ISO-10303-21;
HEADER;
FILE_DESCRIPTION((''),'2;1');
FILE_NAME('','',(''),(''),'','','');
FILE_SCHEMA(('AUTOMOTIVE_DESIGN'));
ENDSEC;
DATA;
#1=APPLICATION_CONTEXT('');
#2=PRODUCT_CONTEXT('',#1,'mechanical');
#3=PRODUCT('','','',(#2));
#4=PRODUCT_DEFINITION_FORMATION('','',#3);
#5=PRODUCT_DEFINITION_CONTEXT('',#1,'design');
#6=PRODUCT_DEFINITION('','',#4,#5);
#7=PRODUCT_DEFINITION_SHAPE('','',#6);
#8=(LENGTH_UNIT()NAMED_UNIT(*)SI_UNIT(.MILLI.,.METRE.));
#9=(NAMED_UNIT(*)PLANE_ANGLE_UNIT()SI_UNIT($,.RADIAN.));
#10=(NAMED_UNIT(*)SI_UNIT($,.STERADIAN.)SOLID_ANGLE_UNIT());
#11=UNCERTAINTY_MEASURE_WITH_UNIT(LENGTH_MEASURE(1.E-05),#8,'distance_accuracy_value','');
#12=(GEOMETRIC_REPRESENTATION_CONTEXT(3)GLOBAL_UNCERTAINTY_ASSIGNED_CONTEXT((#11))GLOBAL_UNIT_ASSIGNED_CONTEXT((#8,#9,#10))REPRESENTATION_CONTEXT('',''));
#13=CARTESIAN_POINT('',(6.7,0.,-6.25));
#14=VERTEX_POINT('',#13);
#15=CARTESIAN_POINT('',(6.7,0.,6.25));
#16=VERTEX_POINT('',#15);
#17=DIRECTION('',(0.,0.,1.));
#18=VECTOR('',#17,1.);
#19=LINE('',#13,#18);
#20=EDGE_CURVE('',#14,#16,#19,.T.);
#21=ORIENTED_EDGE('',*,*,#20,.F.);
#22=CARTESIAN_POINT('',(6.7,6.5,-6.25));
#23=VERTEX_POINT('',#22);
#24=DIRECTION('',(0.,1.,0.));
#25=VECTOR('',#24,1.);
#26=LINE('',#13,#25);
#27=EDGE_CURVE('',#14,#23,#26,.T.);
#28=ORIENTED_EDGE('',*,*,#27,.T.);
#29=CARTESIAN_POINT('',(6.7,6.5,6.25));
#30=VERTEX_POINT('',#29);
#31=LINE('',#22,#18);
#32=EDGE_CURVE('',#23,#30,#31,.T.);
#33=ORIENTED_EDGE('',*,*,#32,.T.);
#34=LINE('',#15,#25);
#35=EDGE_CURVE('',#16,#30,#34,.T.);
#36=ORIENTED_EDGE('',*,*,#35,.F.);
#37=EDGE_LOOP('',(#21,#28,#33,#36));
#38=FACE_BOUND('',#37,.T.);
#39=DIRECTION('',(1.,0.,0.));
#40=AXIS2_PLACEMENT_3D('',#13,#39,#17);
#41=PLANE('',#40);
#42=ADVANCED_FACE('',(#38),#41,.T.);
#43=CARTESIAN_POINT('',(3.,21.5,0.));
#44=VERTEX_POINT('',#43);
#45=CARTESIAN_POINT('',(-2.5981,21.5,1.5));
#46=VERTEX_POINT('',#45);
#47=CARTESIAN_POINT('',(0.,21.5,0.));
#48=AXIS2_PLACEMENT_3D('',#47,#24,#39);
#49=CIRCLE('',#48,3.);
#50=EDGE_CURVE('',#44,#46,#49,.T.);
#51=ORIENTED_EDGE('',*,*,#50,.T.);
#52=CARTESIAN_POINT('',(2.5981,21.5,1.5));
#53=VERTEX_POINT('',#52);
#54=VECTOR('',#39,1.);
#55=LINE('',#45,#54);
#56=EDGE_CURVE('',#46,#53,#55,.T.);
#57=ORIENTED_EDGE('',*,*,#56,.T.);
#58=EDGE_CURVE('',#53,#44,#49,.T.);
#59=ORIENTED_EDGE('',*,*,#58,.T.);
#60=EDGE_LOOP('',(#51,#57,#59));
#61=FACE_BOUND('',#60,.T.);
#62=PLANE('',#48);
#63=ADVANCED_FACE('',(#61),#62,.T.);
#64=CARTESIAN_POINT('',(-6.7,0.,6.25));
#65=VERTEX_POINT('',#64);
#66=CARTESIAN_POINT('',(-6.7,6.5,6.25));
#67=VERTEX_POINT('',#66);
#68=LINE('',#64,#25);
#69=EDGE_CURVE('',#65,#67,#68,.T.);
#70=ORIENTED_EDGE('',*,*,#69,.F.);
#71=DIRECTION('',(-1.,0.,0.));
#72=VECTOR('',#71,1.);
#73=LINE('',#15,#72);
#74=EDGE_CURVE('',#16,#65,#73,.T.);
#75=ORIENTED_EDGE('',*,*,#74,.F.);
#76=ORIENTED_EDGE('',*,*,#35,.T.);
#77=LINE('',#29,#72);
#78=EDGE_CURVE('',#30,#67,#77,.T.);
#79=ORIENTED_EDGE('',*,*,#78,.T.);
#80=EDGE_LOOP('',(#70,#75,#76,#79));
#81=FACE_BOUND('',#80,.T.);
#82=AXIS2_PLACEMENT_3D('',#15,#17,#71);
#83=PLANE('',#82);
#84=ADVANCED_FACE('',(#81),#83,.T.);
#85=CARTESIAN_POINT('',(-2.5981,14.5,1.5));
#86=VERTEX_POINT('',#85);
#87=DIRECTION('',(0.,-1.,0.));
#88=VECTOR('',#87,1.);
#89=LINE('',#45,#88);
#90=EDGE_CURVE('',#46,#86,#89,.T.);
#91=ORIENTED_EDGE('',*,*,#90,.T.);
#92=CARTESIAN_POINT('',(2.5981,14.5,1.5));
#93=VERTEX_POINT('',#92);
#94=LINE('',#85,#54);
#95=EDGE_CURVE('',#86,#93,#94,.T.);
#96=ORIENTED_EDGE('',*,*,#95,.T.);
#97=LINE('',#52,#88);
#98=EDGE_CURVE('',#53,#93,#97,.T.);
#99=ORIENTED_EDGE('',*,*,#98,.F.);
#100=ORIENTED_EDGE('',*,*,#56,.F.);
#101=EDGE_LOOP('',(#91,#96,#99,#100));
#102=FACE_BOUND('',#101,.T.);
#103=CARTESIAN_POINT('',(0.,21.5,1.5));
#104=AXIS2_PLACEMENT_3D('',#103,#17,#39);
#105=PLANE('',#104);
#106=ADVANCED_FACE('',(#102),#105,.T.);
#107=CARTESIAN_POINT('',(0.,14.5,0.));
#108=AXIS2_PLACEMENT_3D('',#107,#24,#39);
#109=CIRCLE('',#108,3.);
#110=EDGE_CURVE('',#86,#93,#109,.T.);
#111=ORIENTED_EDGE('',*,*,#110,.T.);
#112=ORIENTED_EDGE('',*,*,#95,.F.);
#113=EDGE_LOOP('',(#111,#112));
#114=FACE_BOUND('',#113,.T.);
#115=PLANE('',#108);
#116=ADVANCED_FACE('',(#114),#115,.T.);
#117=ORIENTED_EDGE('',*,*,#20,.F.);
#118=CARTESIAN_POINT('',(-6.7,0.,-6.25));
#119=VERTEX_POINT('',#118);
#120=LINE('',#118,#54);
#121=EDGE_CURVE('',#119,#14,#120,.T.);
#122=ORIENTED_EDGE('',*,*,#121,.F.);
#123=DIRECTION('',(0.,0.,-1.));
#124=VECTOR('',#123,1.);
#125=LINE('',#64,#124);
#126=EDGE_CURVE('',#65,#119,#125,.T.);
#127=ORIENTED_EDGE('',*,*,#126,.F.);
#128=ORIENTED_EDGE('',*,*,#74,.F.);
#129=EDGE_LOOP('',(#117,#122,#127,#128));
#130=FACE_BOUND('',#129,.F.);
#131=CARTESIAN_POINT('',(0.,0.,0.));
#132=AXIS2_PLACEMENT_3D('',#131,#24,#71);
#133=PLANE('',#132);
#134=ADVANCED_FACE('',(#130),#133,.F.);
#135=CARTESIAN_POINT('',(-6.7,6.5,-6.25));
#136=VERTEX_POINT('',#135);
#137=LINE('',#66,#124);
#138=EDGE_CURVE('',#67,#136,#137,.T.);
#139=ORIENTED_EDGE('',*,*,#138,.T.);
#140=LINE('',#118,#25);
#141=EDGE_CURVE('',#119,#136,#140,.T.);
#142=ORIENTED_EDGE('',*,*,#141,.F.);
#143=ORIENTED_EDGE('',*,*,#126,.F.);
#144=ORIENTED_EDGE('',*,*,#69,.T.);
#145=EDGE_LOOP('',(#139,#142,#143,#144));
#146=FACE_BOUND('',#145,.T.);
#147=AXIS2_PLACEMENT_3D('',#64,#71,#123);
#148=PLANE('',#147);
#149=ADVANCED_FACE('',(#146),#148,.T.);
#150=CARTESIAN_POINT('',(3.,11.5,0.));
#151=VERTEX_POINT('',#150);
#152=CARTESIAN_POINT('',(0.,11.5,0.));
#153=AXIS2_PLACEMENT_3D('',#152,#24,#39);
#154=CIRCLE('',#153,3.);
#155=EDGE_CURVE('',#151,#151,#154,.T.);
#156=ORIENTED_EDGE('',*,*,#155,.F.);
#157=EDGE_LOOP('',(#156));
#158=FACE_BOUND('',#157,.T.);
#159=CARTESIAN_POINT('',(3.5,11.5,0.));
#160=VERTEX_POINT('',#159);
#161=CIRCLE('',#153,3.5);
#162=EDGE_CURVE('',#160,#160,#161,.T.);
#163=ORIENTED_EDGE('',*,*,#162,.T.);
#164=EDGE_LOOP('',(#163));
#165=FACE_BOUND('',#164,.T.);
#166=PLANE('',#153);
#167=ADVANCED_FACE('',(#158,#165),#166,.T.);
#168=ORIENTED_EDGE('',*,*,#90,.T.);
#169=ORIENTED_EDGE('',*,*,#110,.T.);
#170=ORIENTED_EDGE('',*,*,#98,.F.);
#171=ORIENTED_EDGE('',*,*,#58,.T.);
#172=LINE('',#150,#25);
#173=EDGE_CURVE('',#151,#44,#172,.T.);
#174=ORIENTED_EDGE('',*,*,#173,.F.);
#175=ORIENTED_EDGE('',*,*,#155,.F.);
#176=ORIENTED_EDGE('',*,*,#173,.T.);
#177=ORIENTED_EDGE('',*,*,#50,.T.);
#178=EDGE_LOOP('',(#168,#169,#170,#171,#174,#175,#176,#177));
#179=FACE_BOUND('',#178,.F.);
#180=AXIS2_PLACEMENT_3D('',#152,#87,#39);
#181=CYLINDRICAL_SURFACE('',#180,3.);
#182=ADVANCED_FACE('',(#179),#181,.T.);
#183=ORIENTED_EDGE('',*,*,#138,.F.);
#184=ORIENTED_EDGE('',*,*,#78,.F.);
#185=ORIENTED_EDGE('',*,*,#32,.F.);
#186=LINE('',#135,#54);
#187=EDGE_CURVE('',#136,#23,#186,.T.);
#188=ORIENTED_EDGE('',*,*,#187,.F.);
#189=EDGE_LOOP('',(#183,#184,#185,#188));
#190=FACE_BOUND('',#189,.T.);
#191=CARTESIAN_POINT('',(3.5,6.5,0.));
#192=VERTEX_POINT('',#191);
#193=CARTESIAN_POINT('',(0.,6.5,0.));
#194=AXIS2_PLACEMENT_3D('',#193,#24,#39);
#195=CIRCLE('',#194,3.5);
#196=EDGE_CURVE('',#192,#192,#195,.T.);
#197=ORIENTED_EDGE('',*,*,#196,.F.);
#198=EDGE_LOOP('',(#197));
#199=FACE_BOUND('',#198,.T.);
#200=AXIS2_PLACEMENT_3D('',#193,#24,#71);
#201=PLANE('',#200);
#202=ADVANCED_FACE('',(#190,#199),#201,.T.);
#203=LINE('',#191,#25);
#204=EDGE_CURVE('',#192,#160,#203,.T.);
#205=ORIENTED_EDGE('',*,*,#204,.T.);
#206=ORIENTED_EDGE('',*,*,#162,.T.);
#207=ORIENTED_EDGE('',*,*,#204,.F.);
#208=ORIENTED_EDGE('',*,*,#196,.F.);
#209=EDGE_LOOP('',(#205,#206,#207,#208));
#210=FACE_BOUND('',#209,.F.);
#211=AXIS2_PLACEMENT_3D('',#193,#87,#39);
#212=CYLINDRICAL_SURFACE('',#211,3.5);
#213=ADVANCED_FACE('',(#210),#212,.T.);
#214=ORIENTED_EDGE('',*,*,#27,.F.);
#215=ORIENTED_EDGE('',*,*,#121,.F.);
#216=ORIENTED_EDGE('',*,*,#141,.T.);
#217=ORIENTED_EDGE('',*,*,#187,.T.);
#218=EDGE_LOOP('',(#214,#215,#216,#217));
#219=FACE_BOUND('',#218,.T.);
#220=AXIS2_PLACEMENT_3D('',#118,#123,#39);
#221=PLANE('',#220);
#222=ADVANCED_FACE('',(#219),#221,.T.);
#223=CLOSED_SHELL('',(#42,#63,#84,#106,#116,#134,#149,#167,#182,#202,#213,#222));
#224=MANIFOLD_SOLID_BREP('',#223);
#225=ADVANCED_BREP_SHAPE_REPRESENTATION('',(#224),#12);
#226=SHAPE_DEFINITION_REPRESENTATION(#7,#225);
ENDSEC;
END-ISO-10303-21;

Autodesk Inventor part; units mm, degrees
ref_plane "YZ Plane" through (0, 0, 0) normal (1, 0, 0) x (0, 1, 0)
ref_plane "XZ Plane" through (0, 0, 0) normal (0, 1, 0) x (-1, 0, 0)
ref_plane "XY Plane" through (0, 0, 0) normal (0, 0, 1) x (1, 0, 0)
sketch "Sketch1" plane through (0, 0, 0) normal (0, 1, 0) x (-1, 0, 0)
  line L0 (-6.7, 6.25) -> (6.7, 6.25)
  line L1 (6.7, 6.25) -> (6.7, -6.25)
  line L2 (6.7, -6.25) -> (-6.7, -6.25)
  line L3 (-6.7, -6.25) -> (-6.7, 6.25)
  line L4 (-6.7, 6.25) -> (6.7, -6.25) construction
  line L5 (6.7, 6.25) -> (-6.7, -6.25) construction
  point P0 (0, 0)
  dimension "d0" = 13.4
  dimension "d1" = 12.5
extrude "Extrusion1" add sketch "Sketch1" along normal blind 6.5
sketch "Sketch2" plane through (0, 6.5, 0) normal (0, 1, 0) x (1, 0, 0)
  circle A0 centre (0, 0) radius 3.5
  dimension "d4" = 7
extrude "Extrusion2" add sketch "Sketch2" along normal blind 5
sketch "Sketch3" plane through (0, 11.5, 0) normal (0, 1, 0) x (1, 0, 0)
  circle A0 centre (0, 0) radius 3
  dimension "d7" = 6
extrude "Extrusion3" add sketch "Sketch3" along normal blind 10
sketch "Sketch4" plane through (0, 21.5, 0) normal (0, 1, 0) x (1, 0, 0)
  line L0 (0, -1.5) -> (2.5981, -1.5)
  circle A0 centre (0, 0) radius 3 projected
  line L1 (0, -1.5) -> (-2.5981, -1.5)
  arc A1 (-2.5981, -1.5) -> (2.5981, -1.5) centre (0, 0) ccw
  dimension "d10" = 1.5
extrude "Extrusion4" cut sketch "Sketch4" against normal blind 7 contours L0 A0 L1 picked at (-1.5934, -1.6862)
thread "Thread1" size "M7x1" class "6g" standard "ISO Metric profile" full length
properties part number "PEC11R-4215F-S0024"
